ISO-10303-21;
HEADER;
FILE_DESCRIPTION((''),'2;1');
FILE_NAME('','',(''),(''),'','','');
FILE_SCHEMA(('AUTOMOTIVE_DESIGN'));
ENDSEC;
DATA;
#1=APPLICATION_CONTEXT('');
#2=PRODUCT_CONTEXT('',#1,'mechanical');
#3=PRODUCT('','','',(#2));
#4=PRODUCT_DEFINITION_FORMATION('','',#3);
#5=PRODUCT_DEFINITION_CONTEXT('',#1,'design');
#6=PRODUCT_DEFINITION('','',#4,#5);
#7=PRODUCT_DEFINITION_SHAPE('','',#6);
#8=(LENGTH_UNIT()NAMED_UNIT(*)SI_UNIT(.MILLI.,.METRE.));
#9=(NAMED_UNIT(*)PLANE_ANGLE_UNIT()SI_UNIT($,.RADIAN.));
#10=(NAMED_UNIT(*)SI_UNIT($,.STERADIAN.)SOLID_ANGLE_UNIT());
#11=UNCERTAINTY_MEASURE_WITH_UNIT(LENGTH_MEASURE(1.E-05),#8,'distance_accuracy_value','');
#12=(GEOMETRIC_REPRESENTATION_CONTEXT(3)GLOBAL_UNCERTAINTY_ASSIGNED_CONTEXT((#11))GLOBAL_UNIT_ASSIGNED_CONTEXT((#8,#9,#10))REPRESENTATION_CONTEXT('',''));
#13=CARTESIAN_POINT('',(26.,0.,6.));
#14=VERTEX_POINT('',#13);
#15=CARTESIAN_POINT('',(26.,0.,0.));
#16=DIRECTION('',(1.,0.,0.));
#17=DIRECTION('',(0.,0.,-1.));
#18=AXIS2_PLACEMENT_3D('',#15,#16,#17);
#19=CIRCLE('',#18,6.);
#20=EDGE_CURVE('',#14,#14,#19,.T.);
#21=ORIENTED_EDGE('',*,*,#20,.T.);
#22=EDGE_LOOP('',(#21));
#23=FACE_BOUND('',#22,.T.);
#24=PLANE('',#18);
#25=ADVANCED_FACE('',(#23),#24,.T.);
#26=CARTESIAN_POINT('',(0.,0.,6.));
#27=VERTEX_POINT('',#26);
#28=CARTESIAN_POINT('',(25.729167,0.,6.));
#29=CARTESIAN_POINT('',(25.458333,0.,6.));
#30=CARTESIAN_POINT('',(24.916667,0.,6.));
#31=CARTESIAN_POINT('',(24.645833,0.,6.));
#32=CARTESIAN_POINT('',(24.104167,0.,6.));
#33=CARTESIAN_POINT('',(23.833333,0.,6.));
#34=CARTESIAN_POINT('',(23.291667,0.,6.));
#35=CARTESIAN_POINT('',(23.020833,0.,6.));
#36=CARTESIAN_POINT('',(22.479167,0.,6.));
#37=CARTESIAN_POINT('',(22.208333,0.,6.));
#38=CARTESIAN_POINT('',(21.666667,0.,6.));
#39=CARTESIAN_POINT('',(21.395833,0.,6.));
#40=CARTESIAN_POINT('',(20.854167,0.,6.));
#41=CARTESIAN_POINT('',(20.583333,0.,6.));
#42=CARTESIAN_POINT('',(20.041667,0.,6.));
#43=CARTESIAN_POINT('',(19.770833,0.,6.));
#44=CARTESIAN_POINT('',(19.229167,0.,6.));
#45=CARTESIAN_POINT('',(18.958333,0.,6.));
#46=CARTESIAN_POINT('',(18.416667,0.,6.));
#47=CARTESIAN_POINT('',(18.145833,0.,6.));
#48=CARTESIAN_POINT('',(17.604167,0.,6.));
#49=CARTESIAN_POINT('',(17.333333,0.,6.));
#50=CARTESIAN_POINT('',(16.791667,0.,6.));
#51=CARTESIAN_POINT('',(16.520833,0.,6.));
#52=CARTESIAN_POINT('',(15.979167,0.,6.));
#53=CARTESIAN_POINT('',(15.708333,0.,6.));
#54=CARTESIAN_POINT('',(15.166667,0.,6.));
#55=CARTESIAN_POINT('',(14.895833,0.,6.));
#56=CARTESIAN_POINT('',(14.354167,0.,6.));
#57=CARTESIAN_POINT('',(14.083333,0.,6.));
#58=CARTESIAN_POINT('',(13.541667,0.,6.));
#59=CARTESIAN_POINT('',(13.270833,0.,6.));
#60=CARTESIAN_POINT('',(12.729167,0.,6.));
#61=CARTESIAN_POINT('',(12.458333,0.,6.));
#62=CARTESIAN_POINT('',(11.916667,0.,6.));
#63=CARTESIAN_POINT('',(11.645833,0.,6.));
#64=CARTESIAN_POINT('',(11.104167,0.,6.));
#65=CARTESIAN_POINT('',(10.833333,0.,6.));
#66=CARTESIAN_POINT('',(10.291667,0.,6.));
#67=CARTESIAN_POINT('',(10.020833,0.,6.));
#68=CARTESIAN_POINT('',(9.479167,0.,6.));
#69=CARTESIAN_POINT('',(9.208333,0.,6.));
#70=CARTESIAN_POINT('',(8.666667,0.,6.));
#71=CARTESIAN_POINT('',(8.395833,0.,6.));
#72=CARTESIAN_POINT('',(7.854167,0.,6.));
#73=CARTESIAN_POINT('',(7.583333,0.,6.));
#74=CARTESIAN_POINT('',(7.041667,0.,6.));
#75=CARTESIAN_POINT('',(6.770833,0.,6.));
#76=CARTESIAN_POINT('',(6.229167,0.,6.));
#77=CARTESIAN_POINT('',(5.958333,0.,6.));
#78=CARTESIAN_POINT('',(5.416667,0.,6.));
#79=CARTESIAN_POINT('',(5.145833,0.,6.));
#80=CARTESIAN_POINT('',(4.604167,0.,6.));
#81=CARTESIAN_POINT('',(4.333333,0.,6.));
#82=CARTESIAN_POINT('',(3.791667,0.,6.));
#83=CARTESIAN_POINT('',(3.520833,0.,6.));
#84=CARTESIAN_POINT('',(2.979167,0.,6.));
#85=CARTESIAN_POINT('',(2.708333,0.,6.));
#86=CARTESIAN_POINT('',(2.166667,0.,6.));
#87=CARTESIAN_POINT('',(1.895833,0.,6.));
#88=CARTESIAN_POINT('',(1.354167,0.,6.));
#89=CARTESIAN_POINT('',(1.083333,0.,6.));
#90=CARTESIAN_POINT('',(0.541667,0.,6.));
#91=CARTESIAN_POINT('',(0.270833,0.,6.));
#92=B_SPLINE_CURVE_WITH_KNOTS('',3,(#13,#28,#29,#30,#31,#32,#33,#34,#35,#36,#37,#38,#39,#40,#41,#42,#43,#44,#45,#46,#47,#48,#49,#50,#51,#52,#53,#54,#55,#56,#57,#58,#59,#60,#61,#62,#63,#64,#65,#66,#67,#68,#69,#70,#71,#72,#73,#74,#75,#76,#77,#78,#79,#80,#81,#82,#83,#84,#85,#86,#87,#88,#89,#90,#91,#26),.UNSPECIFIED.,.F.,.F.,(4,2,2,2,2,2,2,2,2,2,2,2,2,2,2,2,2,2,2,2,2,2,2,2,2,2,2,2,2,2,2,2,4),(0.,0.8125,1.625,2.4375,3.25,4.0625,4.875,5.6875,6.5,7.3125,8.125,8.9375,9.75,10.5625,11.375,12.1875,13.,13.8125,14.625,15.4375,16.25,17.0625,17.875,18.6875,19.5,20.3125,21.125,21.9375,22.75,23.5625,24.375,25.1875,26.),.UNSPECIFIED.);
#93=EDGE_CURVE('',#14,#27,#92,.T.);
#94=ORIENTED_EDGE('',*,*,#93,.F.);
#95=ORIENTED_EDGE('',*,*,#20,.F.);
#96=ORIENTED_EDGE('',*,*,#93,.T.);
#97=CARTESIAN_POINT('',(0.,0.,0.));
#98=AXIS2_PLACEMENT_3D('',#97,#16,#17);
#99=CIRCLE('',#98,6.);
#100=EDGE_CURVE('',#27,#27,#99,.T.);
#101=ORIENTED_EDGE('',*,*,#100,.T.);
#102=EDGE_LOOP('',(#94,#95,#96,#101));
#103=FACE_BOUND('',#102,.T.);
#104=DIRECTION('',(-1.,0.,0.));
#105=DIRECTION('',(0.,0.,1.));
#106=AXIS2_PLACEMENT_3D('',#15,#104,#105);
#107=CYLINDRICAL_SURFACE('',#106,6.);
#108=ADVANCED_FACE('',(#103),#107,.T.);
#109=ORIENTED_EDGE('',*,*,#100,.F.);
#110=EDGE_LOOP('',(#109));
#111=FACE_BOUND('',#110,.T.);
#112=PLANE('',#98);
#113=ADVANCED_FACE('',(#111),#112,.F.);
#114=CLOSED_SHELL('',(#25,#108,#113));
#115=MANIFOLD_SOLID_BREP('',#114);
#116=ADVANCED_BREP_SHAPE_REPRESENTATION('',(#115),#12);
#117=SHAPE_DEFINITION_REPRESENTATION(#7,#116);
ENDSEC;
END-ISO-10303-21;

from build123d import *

# Parameters (mm, degrees)
SKETCH1_R           = 6
BOSS_EXTRUDE1_DEPTH = 26


with BuildPart() as part:
    # Sketch1 → Boss-Extrude1 (new body)
    with BuildSketch(Plane(origin=(0, 0, 0), x_dir=(0, 0, -1), z_dir=(1, 0, 0))):
        Circle(SKETCH1_R)
    extrude(amount=BOSS_EXTRUDE1_DEPTH)


solid = part.part
